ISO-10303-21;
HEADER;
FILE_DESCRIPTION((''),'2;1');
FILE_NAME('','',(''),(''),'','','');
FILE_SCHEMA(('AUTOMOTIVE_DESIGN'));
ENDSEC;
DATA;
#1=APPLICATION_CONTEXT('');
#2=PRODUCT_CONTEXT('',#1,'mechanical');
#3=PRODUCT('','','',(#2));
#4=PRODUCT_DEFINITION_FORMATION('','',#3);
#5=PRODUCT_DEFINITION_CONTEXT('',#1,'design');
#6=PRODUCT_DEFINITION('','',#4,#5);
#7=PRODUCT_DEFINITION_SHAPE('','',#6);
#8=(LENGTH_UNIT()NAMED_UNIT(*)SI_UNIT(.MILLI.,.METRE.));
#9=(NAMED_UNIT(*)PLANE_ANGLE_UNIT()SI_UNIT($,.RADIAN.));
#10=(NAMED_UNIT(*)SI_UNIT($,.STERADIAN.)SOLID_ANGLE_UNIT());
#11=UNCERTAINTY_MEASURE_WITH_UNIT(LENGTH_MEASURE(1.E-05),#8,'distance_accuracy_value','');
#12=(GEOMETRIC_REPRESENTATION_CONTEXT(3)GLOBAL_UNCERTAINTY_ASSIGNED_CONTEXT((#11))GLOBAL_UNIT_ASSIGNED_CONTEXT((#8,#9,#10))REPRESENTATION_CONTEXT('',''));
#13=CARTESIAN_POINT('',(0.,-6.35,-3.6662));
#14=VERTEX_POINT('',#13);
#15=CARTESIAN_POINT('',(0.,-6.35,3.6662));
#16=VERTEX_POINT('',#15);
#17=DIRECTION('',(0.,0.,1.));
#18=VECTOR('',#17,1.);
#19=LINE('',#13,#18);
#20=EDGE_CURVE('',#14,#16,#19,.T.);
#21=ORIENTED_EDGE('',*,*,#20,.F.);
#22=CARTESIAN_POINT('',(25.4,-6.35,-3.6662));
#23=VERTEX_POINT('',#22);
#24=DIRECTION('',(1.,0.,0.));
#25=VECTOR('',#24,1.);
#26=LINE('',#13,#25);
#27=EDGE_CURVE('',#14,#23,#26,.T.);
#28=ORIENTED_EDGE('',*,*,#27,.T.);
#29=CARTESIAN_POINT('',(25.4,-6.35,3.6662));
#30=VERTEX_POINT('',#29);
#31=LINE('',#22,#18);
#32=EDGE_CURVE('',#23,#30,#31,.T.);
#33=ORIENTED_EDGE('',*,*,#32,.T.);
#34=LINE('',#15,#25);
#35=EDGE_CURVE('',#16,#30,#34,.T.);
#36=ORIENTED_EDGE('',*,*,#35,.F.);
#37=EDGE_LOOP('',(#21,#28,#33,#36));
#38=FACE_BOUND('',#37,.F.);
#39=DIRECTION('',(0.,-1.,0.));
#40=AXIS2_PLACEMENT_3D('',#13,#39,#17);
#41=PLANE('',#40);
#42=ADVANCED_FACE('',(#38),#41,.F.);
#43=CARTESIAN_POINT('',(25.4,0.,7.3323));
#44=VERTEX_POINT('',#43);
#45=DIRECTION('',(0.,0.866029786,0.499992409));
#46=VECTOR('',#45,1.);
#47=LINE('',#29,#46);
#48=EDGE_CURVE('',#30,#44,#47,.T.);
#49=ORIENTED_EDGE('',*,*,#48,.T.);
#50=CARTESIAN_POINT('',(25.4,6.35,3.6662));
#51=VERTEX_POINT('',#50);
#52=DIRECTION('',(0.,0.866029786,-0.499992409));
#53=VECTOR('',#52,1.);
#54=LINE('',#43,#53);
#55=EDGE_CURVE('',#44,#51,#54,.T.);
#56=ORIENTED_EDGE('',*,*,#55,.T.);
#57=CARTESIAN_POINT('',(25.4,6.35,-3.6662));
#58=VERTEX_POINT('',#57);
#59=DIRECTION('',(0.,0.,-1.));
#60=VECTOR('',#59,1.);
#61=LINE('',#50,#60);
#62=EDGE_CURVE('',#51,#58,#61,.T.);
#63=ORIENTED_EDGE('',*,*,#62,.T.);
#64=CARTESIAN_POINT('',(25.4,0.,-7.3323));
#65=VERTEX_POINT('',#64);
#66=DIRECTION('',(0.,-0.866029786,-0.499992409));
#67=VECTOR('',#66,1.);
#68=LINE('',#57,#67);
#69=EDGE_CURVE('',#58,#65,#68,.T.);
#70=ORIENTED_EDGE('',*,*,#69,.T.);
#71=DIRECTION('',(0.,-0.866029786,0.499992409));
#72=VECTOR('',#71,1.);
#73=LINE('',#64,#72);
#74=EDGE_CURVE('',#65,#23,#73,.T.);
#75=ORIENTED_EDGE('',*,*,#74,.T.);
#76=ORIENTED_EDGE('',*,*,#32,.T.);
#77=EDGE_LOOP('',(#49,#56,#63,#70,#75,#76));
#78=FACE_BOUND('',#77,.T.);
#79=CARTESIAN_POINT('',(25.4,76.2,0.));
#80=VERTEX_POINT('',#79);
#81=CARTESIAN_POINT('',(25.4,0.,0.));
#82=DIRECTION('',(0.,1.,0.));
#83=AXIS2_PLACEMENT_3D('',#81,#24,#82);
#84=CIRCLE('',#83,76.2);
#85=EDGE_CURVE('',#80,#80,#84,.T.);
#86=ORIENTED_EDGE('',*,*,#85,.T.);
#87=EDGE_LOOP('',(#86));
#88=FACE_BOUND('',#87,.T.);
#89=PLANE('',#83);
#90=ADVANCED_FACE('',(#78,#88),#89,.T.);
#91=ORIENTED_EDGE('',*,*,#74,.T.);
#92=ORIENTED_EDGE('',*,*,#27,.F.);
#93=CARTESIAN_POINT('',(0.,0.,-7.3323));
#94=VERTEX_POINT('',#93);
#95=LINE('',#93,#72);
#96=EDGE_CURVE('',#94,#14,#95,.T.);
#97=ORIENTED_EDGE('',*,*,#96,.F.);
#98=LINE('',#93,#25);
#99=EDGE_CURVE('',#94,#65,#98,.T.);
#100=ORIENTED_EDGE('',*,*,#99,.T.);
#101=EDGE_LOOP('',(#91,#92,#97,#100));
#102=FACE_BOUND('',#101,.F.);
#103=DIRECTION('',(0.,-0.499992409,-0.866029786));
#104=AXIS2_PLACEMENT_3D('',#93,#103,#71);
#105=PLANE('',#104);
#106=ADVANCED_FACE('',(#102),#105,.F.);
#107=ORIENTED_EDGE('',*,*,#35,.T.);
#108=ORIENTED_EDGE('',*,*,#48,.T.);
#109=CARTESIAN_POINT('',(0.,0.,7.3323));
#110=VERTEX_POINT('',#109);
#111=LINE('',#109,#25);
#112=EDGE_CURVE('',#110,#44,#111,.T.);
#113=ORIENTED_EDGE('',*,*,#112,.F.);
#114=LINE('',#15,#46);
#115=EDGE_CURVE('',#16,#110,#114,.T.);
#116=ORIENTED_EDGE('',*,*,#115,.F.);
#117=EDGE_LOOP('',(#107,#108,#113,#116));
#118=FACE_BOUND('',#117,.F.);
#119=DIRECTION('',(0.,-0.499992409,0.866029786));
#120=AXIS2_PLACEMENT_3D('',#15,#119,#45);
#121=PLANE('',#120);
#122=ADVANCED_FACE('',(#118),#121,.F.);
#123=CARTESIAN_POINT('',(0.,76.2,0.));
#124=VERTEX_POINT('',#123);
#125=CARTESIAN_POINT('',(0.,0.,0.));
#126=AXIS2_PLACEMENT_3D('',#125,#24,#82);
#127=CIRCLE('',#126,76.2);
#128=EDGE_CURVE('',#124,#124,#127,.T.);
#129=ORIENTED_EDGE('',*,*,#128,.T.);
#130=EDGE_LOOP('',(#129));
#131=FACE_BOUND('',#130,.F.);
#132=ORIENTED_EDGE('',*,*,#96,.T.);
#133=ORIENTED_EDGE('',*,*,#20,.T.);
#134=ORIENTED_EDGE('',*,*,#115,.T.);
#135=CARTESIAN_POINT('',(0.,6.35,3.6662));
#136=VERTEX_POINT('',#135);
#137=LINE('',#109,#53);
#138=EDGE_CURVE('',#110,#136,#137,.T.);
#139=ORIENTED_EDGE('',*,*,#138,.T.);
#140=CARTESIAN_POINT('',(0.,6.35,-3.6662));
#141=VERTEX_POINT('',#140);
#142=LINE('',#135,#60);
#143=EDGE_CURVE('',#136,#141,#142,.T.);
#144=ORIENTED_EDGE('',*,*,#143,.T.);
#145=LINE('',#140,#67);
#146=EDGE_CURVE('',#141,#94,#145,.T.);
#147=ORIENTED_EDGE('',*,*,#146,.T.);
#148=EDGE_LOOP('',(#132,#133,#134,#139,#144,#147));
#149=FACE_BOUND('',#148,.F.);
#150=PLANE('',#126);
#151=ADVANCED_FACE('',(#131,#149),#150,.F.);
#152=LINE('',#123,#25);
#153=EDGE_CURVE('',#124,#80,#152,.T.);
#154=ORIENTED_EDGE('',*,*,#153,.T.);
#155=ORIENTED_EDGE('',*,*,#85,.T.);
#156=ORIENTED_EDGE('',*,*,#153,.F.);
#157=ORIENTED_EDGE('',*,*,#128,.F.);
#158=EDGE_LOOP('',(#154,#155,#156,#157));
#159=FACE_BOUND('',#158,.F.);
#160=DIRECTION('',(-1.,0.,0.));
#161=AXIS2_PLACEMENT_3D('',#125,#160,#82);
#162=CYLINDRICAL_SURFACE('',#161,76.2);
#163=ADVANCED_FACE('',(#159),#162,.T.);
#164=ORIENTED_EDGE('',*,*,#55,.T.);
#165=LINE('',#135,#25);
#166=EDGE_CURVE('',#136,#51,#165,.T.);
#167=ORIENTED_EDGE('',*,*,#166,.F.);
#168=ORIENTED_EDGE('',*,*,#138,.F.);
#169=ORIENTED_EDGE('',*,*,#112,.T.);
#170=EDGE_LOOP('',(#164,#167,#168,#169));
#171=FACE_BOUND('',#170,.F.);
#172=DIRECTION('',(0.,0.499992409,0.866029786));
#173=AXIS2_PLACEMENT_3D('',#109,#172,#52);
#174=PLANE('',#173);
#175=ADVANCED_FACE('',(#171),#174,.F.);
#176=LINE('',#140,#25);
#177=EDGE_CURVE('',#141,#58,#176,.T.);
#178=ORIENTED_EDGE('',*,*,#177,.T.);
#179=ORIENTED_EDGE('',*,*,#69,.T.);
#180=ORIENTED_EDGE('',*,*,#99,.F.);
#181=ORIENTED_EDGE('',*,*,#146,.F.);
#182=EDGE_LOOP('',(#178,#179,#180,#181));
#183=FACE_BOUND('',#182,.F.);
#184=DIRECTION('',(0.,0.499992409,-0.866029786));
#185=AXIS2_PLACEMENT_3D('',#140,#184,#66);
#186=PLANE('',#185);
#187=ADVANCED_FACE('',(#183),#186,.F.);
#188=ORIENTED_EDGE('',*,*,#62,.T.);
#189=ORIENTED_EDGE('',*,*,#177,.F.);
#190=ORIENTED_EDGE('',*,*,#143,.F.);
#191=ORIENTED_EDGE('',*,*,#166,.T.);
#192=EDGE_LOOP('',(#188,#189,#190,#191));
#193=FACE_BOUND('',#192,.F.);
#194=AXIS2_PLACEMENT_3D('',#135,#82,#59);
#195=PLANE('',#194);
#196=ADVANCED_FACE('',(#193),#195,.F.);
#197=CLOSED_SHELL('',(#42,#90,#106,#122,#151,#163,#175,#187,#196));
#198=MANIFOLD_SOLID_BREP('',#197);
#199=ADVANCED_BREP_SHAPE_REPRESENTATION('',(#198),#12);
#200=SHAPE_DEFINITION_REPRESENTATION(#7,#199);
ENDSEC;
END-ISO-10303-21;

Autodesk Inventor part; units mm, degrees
ref_plane "YZ Plane" through (0, 0, 0) normal (1, 0, 0) x (0, 1, 0)
ref_plane "XZ Plane" through (0, 0, 0) normal (0, 1, 0) x (-1, 0, 0)
ref_plane "XY Plane" through (0, 0, 0) normal (0, 0, 1) x (1, 0, 0)
sketch "Sketch1" plane through (0, 0, 0) normal (1, 0, 0) x (0, 1, 0)
  circle A0 centre (0, 0) radius 76.2
  line L0 (0, 7.3323) -> (6.35, 3.6662)
  line L1 (6.35, 3.6662) -> (6.35, -3.6662)
  line L2 (6.35, -3.6662) -> (0, -7.3323)
  line L3 (0, -7.3323) -> (-6.35, -3.6662)
  line L4 (-6.35, -3.6662) -> (-6.35, 3.6662)
  line L5 (-6.35, 3.6662) -> (0, 7.3323)
  dimension "d0" = 152.4
  dimension "d1" = 12.7
extrude "Extrusion1" add sketch "Sketch1" along normal blind 25.4
properties part number "6InchWheel"
